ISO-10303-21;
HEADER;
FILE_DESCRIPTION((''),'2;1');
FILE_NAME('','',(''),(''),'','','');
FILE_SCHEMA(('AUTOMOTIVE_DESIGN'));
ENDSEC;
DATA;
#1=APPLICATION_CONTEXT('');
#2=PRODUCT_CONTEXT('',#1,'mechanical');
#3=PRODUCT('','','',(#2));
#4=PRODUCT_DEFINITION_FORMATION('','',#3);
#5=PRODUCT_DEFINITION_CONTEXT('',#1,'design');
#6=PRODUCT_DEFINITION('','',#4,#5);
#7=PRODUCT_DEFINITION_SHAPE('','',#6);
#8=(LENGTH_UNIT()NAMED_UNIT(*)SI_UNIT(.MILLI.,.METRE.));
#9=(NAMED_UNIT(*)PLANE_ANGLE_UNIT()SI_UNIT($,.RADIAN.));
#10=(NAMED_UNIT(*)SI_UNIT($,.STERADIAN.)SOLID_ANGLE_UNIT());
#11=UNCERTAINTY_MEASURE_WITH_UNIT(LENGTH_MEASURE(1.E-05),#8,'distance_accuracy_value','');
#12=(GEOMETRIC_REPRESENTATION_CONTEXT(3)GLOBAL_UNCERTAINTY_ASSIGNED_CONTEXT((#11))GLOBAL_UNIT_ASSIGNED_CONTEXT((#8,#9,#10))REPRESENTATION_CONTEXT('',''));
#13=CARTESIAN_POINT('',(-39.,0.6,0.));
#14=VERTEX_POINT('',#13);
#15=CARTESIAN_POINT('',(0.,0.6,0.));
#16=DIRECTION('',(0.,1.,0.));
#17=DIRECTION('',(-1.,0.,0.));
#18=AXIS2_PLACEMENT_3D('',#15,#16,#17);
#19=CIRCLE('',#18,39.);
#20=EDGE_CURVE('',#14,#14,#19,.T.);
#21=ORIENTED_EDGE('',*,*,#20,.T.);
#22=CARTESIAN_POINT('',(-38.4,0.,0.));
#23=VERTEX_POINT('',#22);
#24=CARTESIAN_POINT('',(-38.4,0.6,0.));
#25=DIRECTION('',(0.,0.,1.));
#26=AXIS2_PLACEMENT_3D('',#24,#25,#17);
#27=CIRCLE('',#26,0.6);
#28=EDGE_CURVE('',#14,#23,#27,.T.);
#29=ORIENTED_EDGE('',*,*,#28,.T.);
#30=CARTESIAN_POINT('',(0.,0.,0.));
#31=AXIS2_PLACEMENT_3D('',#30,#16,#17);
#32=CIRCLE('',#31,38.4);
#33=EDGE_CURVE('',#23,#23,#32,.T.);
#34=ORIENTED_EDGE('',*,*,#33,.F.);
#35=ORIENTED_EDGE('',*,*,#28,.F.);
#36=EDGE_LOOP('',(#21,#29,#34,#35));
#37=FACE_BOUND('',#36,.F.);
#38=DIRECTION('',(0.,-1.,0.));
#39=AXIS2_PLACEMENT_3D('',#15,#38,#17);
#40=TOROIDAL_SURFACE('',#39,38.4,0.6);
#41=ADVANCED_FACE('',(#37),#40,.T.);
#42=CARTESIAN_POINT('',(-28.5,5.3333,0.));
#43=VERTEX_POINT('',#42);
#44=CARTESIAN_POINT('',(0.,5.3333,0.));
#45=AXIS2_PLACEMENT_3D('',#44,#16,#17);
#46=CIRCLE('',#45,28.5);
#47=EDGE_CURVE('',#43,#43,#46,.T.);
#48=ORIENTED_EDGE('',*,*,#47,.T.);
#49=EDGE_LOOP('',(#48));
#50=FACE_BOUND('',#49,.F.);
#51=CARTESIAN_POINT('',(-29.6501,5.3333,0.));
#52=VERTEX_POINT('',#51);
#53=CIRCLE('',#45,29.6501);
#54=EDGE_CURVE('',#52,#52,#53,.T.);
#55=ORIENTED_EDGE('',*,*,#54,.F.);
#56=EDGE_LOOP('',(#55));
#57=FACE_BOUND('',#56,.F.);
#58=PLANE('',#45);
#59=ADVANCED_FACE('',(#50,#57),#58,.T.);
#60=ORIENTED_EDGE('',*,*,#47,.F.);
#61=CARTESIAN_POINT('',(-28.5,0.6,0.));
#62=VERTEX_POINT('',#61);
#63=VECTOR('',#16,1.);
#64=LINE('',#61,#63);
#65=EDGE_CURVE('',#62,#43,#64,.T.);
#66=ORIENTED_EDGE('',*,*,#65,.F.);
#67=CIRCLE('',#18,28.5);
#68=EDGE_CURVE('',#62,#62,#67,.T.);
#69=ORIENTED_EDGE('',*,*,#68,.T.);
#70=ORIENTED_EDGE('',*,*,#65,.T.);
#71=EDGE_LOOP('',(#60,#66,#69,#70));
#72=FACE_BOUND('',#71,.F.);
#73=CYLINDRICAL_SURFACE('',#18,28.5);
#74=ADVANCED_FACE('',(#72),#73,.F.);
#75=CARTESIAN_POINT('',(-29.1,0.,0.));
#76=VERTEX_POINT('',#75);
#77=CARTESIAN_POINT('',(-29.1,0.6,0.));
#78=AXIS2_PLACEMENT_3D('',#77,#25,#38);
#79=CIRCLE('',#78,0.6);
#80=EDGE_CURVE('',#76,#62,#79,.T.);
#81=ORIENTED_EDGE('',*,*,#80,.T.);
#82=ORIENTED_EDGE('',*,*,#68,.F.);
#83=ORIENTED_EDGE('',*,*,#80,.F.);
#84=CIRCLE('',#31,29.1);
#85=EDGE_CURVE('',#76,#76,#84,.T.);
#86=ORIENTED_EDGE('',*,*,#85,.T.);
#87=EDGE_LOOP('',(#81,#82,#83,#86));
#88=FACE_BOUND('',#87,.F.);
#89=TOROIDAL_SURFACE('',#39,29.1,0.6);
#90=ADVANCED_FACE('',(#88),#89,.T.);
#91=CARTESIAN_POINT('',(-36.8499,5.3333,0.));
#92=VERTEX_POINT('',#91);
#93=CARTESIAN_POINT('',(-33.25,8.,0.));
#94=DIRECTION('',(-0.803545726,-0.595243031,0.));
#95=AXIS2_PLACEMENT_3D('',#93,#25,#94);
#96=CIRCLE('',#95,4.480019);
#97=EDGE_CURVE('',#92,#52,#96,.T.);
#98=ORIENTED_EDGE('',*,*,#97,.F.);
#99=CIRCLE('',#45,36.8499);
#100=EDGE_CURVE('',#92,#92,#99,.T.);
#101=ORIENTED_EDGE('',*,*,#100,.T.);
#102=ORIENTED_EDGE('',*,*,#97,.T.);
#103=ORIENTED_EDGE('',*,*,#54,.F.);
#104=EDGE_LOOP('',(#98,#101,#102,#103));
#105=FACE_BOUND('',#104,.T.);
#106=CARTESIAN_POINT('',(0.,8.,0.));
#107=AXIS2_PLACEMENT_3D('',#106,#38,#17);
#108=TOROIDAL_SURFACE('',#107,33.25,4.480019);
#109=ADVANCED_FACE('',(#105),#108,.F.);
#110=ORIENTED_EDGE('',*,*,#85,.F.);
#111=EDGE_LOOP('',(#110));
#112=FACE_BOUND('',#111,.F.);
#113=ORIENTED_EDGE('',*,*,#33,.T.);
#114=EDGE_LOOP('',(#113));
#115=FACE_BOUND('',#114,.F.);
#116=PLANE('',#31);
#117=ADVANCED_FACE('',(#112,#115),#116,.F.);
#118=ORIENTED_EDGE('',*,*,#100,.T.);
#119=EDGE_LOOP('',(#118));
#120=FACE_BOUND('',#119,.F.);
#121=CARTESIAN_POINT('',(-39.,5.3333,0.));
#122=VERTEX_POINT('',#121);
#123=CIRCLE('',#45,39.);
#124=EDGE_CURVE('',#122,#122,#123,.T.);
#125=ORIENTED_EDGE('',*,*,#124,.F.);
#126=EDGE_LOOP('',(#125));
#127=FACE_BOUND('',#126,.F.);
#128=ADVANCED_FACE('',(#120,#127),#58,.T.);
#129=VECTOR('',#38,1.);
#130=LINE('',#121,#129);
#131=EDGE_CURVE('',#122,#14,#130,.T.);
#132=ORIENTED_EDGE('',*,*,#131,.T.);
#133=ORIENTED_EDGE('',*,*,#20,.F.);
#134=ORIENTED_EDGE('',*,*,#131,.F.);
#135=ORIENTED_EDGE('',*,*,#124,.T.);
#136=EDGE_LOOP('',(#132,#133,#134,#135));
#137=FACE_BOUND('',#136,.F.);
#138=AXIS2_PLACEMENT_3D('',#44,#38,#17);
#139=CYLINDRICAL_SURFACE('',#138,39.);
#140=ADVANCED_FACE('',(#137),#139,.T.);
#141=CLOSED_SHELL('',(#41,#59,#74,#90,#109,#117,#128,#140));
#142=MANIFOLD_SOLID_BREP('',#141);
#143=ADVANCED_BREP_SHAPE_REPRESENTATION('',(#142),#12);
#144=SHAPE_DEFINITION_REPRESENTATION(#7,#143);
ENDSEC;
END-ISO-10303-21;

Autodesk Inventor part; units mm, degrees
sketch "Sketch_1" plane through (0, 0, 0) normal (0, 0, 1) x (1, 0, 0)
  line L0 (0, 5.3333) -> (0, 0)
  arc A0 (-39, 0.6) -> (-38.4, 0) centre (-38.4, 0.6) ccw
  line L1 (-38.4, 0) -> (-29.1, 0)
  arc A1 (-29.1, 0) -> (-28.5, 0.6) centre (-29.1, 0.6) ccw
  line L2 (-28.5, 0.6) -> (-28.5, 5.3333)
  line L3 (-28.5, 5.3333) -> (-29.6501, 5.3333)
  arc A2 (-36.8499, 5.3333) -> (-29.6501, 5.3333) centre (-33.25, 8) ccw
  line L4 (-36.8499, 5.3333) -> (-39, 5.3333)
  line L5 (-39, 5.3333) -> (-39, 0.6)
revolve "Revolution1" add sketch "Sketch_1" angle 360 about axis through (0, 5.3333, 0) along (0, 1, 0)
ref_plane "tb_sdt_hrd_XY" through (0, 0, 0) normal (0, 1, 0) x (1, 0, 0)
ref_plane "tb_sdt_hrd_YZ" through (0, 0, 0) normal (1, 0, 0) x (0, 0, -1)
ref_plane "tb_sdt_hrd_ZX" through (0, 0, 0) normal (0, 0, -1) x (0, 1, 0)
properties part number "51111 Housing raceway disc"
